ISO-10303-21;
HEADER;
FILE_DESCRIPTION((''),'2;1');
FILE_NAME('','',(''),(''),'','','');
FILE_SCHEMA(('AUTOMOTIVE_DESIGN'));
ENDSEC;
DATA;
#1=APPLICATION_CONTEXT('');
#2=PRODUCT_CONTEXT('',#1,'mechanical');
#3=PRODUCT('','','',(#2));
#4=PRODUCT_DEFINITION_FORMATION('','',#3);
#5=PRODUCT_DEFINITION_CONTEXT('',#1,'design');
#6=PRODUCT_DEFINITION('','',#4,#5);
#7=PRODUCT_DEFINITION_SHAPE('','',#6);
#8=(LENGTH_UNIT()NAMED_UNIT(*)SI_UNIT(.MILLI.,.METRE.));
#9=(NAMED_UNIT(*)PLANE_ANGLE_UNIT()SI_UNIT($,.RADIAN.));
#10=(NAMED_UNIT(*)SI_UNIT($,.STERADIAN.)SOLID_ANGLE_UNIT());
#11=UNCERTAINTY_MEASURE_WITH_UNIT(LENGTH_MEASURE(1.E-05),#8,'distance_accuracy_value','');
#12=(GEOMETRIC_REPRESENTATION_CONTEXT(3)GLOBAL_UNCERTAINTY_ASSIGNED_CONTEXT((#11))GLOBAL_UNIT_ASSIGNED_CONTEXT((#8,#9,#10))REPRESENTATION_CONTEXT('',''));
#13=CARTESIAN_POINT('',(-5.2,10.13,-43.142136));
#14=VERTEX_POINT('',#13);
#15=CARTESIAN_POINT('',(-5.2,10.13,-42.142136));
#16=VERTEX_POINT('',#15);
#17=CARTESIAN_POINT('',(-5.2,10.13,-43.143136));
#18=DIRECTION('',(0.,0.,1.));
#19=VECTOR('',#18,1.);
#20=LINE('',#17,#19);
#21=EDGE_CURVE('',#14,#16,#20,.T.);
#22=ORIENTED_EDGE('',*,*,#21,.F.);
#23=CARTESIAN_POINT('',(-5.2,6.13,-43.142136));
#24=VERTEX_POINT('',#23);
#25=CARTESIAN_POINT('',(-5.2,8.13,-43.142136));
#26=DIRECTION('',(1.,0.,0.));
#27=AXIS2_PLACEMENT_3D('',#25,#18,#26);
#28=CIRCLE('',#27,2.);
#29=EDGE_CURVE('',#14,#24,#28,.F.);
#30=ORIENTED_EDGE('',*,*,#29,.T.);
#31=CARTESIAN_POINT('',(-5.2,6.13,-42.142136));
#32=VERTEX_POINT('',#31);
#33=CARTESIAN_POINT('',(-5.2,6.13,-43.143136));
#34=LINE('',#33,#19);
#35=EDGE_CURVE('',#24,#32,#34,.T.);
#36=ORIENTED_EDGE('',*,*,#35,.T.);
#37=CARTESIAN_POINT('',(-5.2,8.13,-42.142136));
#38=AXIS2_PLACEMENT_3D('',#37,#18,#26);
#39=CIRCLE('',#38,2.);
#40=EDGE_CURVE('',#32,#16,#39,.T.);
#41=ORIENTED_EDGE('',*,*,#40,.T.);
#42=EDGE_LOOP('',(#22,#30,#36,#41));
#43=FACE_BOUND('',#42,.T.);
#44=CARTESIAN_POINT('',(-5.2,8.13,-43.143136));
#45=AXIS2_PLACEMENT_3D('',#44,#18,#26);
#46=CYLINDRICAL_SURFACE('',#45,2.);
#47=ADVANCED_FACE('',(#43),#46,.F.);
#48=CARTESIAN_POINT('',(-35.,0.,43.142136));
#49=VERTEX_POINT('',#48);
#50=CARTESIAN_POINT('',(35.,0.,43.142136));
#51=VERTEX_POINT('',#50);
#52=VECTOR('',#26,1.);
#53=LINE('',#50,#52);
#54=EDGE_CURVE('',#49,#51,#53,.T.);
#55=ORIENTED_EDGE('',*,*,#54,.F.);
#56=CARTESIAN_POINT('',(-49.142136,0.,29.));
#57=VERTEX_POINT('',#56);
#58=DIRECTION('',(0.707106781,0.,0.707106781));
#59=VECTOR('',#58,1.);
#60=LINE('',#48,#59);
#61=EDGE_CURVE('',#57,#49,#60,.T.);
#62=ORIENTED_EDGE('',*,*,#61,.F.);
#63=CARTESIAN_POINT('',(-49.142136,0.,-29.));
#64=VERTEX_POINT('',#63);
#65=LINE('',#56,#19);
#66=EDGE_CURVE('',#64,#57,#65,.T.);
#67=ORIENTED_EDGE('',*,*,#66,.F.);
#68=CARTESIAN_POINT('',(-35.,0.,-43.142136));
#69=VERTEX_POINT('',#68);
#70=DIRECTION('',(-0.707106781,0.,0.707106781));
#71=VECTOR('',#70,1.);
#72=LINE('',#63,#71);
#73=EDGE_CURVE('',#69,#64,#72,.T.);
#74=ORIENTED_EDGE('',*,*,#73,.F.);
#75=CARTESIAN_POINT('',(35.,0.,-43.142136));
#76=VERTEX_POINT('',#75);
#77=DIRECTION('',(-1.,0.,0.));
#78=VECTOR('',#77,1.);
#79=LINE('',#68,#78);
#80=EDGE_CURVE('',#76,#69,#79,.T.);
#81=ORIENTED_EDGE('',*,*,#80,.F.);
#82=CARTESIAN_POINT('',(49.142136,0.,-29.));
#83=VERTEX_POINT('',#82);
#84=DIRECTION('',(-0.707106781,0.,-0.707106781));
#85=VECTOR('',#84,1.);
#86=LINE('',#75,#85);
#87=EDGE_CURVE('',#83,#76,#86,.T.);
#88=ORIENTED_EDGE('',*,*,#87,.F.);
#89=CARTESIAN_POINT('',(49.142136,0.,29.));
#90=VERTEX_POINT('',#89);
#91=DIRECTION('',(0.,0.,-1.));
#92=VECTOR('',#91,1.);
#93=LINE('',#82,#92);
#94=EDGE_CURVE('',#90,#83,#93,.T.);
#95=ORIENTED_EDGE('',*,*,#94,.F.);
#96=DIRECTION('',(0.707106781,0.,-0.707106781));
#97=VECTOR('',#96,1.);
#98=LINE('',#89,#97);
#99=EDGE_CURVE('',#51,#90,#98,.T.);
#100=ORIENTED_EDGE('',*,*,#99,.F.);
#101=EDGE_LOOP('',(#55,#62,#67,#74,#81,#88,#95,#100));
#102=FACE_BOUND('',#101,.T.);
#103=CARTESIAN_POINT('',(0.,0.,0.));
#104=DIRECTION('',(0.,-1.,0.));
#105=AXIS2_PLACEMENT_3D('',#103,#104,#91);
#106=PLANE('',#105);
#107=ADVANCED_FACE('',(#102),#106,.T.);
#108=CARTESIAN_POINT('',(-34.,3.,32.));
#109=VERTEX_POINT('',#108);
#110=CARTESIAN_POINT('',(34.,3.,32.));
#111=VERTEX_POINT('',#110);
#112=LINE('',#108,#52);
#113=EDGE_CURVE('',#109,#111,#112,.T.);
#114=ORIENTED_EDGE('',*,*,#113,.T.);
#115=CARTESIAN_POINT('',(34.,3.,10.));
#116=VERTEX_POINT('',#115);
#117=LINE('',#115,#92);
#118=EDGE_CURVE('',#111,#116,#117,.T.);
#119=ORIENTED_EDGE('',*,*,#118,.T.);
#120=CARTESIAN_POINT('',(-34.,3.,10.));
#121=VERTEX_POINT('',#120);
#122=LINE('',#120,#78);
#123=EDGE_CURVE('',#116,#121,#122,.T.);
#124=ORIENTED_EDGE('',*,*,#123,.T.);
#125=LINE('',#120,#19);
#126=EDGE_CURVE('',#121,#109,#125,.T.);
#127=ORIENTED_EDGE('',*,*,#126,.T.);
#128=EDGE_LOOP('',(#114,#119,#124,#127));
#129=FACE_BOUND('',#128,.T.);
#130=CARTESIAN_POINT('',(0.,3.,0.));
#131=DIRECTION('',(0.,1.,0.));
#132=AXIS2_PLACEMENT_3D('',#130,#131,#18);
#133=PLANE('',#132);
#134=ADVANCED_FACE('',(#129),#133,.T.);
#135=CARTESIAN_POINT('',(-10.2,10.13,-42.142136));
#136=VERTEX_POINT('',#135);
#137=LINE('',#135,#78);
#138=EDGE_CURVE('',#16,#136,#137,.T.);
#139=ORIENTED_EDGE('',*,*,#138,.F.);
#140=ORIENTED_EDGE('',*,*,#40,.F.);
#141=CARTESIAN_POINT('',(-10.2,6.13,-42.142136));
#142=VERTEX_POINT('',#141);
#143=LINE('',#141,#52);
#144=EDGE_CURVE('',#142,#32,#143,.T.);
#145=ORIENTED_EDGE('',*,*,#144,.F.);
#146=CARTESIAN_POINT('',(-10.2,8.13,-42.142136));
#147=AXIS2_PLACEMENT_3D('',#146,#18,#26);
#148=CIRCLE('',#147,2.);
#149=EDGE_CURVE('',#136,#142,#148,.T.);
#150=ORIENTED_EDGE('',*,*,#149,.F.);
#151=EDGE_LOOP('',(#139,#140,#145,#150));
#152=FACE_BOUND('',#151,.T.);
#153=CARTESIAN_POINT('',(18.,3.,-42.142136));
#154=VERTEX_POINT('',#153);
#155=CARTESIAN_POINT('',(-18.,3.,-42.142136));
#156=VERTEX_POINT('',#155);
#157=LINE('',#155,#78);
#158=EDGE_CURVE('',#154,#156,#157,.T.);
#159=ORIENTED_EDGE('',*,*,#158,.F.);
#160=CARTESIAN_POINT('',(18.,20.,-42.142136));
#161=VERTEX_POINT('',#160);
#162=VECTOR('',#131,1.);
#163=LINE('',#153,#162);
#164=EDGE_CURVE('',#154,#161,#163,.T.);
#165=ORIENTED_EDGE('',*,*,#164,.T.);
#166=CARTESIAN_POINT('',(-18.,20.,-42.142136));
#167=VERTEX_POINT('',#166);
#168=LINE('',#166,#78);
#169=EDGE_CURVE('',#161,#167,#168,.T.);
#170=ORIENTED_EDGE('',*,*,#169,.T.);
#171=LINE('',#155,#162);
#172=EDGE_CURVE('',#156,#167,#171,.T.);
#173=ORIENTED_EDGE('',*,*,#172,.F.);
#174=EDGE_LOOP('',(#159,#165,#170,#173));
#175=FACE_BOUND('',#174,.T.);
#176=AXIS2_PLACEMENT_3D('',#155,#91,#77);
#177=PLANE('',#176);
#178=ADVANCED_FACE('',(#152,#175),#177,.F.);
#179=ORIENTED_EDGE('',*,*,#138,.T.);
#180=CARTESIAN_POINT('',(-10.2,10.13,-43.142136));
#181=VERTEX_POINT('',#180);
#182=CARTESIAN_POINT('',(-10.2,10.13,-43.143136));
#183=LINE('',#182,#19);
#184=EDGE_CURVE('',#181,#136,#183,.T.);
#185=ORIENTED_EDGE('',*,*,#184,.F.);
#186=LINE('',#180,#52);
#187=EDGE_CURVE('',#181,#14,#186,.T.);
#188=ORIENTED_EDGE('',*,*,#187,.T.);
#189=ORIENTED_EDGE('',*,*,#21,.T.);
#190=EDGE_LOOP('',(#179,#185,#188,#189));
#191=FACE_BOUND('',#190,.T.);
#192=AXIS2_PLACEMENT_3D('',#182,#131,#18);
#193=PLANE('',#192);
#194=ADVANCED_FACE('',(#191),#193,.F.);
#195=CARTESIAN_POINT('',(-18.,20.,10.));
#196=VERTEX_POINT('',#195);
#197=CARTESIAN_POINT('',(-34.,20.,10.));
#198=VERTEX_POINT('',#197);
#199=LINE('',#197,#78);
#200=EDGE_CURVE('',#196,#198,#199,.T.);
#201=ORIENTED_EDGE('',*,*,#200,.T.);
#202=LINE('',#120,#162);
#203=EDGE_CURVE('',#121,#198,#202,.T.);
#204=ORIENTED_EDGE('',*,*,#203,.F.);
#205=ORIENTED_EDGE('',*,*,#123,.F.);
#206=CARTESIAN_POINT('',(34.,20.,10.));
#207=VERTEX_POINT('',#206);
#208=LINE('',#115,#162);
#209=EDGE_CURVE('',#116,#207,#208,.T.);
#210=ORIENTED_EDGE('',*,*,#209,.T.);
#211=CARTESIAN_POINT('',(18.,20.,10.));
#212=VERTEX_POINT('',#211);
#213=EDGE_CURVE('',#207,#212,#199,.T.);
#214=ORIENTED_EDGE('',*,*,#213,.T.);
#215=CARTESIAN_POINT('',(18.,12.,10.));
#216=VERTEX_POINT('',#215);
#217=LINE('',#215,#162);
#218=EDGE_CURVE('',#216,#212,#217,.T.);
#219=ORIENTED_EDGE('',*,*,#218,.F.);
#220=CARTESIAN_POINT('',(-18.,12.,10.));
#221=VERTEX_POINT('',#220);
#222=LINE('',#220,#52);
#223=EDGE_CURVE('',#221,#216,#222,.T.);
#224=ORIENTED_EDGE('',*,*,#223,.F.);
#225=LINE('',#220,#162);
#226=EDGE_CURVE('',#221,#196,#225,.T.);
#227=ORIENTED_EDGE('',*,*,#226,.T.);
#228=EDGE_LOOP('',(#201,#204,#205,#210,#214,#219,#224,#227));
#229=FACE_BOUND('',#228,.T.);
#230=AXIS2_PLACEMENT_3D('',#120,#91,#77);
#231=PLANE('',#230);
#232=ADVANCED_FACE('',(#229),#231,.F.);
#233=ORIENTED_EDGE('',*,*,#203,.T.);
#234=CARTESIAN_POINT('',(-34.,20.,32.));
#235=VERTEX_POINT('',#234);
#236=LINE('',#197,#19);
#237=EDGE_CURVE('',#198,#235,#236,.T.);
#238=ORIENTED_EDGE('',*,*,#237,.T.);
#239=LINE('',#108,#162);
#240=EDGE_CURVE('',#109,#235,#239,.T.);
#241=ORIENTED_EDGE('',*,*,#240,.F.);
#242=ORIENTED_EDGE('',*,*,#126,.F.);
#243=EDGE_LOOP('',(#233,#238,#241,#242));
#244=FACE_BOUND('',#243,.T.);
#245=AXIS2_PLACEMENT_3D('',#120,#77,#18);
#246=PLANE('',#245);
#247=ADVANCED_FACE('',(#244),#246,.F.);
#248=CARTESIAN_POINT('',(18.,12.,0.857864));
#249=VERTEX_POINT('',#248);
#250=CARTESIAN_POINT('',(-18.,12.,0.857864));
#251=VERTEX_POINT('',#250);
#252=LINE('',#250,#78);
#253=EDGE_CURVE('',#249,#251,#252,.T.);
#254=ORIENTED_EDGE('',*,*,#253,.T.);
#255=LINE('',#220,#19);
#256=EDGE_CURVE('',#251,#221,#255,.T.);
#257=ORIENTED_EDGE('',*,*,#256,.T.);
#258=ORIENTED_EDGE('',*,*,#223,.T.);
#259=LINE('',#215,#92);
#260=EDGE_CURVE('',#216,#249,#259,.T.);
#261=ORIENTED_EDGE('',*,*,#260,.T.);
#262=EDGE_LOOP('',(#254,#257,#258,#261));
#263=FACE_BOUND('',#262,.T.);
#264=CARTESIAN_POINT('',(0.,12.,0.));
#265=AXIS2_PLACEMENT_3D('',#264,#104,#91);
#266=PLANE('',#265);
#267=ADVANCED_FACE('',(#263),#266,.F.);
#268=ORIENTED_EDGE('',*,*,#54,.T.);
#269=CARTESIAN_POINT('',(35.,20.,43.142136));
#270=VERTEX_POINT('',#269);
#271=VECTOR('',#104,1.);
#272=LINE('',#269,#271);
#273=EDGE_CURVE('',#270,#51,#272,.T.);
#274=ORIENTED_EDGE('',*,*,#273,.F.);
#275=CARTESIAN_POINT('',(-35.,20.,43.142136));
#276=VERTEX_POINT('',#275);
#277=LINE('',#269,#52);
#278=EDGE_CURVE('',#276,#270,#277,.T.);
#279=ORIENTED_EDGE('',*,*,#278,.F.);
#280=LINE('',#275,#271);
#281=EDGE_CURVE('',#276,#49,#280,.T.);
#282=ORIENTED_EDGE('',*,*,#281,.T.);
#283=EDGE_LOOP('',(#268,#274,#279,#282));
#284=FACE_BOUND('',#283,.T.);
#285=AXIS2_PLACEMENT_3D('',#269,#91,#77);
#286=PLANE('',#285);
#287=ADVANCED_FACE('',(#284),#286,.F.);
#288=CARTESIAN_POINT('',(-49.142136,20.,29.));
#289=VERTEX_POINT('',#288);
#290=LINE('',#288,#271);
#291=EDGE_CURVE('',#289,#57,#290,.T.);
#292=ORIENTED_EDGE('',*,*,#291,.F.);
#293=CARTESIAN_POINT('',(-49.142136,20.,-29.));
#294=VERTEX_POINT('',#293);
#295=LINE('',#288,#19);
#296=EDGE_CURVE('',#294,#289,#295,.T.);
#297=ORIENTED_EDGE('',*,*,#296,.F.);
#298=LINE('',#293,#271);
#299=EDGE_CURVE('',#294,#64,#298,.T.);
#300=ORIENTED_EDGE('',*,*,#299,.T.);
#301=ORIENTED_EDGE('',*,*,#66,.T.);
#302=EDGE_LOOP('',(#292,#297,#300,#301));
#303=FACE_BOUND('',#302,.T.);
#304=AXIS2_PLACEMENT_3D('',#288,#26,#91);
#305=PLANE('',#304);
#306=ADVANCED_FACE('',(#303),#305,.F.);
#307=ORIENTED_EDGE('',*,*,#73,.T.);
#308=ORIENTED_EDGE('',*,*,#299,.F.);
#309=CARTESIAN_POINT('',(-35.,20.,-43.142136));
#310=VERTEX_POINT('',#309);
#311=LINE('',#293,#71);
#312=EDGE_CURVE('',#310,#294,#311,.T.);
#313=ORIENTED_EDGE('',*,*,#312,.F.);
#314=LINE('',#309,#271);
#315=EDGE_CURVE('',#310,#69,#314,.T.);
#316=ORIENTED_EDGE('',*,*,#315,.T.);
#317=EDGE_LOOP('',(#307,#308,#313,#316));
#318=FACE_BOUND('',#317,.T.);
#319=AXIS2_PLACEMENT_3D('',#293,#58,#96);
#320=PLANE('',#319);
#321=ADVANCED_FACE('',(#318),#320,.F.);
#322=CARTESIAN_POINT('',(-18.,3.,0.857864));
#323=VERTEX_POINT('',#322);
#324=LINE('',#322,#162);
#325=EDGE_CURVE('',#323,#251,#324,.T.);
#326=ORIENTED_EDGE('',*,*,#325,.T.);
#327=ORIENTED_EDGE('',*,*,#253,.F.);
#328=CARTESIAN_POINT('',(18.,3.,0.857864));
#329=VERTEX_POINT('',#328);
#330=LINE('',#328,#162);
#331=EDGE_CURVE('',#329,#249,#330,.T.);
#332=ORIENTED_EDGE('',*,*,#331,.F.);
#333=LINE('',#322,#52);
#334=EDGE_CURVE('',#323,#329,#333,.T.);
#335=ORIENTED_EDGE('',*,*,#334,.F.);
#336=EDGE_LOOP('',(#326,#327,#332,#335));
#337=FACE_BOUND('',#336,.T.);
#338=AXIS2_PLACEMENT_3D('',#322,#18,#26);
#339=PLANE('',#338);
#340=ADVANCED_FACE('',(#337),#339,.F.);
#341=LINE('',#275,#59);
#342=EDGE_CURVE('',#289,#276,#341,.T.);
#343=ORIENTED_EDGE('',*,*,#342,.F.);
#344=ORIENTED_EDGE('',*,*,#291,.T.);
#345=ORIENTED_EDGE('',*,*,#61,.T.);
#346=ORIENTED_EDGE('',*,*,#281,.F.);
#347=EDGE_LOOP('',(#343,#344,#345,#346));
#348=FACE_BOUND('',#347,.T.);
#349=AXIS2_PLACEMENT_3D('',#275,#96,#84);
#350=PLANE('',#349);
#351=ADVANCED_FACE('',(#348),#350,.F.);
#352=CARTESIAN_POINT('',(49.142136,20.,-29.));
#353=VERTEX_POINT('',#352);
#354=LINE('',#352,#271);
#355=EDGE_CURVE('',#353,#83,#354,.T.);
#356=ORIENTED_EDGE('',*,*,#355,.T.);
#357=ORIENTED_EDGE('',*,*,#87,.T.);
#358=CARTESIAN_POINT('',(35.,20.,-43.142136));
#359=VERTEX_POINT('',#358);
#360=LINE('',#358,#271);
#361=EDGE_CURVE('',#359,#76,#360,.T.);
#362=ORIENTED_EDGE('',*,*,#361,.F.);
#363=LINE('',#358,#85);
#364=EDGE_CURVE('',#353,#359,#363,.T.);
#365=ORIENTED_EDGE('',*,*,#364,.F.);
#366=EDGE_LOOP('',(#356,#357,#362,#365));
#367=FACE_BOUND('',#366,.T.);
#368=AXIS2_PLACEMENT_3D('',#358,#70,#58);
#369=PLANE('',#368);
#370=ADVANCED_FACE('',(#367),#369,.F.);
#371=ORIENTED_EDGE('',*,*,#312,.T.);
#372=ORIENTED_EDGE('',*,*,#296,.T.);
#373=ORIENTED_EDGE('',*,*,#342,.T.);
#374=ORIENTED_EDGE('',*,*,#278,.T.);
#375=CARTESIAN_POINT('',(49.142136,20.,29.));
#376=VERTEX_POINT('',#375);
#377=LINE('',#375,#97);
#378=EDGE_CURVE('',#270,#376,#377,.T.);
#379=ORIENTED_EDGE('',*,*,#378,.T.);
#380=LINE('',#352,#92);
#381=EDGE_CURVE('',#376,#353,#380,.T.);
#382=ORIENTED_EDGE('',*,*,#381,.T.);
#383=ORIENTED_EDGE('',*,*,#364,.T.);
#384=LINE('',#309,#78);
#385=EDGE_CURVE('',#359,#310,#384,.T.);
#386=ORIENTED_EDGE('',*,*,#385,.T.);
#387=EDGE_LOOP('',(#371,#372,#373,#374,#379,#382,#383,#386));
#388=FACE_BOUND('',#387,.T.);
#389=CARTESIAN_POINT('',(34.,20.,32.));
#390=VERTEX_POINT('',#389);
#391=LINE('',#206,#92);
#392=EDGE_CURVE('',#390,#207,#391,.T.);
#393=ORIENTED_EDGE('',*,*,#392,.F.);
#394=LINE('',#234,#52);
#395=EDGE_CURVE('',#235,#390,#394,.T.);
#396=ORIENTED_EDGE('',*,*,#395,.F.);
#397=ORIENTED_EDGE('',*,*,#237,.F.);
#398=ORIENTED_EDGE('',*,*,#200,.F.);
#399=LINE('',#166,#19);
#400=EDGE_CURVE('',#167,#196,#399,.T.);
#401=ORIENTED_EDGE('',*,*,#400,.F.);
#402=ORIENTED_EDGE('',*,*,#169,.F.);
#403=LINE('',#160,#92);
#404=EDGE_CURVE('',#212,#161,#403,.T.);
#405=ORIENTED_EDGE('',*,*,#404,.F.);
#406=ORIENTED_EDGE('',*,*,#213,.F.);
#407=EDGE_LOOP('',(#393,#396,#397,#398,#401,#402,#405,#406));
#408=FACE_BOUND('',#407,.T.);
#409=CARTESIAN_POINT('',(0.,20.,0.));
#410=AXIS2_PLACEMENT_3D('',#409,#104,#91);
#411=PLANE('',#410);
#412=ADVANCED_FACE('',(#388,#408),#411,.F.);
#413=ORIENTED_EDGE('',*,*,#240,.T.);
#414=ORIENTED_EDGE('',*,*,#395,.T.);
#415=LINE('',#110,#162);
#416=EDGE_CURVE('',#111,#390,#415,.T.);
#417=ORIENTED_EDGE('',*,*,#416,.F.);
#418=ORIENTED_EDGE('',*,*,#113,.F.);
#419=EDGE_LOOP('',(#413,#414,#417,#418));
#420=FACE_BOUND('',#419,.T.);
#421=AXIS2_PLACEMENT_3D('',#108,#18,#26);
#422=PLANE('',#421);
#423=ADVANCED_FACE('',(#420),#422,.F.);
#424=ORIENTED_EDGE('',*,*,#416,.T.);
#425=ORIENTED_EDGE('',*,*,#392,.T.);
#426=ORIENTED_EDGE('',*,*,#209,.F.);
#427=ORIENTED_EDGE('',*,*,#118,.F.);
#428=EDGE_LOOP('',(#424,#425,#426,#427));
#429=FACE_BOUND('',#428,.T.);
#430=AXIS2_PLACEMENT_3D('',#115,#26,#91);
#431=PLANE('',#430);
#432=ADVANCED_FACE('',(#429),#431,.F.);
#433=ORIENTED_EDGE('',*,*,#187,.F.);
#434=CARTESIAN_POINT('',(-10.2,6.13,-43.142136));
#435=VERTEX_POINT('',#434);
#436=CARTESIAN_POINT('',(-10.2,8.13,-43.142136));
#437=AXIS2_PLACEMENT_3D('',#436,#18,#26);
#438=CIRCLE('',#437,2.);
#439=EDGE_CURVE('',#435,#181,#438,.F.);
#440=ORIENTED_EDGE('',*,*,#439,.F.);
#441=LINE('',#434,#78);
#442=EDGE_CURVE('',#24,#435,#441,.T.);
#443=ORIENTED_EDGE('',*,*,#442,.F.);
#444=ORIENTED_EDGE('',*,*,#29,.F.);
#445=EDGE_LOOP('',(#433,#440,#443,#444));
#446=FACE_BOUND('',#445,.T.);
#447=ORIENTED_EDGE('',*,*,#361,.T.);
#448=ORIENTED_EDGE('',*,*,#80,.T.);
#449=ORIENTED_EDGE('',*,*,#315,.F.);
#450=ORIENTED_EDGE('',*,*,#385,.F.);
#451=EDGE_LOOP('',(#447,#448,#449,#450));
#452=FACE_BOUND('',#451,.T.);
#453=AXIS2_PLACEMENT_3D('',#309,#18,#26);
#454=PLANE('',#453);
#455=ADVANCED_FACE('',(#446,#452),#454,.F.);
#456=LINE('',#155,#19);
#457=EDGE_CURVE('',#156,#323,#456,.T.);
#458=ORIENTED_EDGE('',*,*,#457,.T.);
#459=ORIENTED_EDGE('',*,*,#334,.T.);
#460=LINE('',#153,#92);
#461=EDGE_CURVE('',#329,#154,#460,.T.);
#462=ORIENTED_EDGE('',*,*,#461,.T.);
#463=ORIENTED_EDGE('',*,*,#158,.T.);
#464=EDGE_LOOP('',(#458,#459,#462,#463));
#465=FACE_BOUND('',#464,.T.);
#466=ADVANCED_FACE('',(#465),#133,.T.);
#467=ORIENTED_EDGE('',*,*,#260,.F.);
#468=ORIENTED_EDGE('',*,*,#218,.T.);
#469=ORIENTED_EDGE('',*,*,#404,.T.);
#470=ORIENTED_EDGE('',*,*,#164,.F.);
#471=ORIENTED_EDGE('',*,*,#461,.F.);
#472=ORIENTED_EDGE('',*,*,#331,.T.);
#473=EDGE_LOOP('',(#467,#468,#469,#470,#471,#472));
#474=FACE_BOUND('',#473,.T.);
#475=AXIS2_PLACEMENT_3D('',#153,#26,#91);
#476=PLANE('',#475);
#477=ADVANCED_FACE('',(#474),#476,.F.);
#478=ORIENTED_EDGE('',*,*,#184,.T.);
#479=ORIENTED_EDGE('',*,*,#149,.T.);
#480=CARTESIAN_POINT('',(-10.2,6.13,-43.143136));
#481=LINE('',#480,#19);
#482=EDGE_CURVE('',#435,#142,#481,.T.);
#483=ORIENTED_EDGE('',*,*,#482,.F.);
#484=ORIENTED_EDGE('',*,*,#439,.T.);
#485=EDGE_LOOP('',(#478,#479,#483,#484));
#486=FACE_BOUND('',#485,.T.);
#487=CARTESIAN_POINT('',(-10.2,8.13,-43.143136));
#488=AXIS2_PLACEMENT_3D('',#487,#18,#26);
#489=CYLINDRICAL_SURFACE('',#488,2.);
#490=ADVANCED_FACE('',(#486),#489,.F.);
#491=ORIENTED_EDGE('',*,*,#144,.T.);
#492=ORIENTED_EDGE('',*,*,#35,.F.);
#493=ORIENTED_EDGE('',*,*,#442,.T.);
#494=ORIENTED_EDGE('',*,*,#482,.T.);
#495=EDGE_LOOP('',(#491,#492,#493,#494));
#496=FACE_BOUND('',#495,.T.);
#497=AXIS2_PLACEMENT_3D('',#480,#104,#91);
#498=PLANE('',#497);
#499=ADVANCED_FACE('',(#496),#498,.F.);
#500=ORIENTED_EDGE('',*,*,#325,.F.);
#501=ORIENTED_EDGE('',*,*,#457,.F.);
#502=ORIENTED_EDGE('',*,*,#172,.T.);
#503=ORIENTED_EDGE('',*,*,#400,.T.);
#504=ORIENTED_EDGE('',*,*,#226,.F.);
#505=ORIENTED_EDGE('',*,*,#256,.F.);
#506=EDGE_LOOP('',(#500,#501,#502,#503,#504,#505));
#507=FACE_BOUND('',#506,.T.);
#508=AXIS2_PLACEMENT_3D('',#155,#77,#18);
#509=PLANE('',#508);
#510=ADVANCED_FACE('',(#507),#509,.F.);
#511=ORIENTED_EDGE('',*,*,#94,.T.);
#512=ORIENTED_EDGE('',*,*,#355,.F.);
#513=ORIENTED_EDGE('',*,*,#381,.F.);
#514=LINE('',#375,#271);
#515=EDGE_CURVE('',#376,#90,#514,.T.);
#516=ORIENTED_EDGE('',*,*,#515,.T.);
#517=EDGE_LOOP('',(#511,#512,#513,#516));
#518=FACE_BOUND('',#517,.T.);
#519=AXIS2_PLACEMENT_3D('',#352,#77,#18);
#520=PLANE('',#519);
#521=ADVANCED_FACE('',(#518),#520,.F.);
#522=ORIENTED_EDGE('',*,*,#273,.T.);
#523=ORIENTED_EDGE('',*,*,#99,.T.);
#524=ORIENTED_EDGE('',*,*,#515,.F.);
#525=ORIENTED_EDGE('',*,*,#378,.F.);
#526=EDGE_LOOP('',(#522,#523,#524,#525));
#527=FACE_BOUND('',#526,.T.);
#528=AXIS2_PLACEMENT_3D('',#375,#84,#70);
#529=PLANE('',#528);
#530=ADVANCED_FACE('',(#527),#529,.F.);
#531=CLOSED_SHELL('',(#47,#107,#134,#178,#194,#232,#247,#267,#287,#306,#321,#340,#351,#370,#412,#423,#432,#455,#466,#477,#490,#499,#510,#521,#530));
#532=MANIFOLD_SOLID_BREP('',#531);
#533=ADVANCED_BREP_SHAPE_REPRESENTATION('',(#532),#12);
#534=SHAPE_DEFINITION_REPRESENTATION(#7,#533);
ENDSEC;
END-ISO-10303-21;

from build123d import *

# Parameters (mm, degrees)
BOSS_EXTRUDE1_DEPTH = 20
SKETCH2_W           = 36
SKETCH2_H           = 43
SKETCH2_W_2         = 68
SKETCH2_H_2         = 22
CUT_EXTRUDE1_DEPTH  = 17
SKETCH3_W           = 36
SKETCH3_H           = 9.142135624
CUT_EXTRUDE2_DEPTH  = 8
CUT_EXTRUDE3_REACH  = 102.441


with BuildPart() as part:
    # Sketch1 → Boss-Extrude1 (new body)
    with BuildSketch(Plane(origin=(0, 0, 0), x_dir=(1, 0, 0), z_dir=(0, 1, 0))):
        Polygon((-35, 43.142135624), (35, 43.142135624), (49.142135624, 29), (49.142135624, -29), (35, -43.142135624), (-35, -43.142135624), (-49.142135624, -29), (-49.142135624, 29), align=None)
    extrude(amount=BOSS_EXTRUDE1_DEPTH)

    # Sketch2 → Cut-Extrude1 (cut)
    with BuildSketch(Plane(origin=(0, 20, 0), x_dir=(1, 0, 0), z_dir=(0, 1, 0))):
        with Locations((0, 20.642135624)):
            Rectangle(SKETCH2_W, SKETCH2_H)
        with Locations((0, -21)):
            Rectangle(SKETCH2_W_2, SKETCH2_H_2)
    extrude(amount=-CUT_EXTRUDE1_DEPTH, mode=Mode.SUBTRACT)

    # Sketch3 → Cut-Extrude2 (cut)
    with BuildSketch(Plane(origin=(0, 20, 0), x_dir=(1, 0, 0), z_dir=(0, 1, 0))):
        with Locations((0, -5.428932188)):
            Rectangle(SKETCH3_W, SKETCH3_H)
    extrude(amount=-CUT_EXTRUDE2_DEPTH, mode=Mode.SUBTRACT)

    # Sketch4 → Cut-Extrude3 (cut, up to next)
    with BuildSketch(Plane.XY.offset(-42.142135624), mode=Mode.PRIVATE) as cut_extrude3_sk1:
        with BuildLine():
            Line((-10.2, 10.13), (-5.2, 10.13))
            ThreePointArc((-5.2, 10.13), (-3.2, 8.13), (-5.2, 6.13))
            Line((-5.2, 6.13), (-10.2, 6.13))
            ThreePointArc((-10.2, 6.13), (-12.2, 8.13), (-10.2, 10.13))
        make_face()
    cut_extrude3_tool1 = extrude(cut_extrude3_sk1.sketch, amount=-CUT_EXTRUDE3_REACH, mode=Mode.PRIVATE) & part.part
    add(cut_extrude3_tool1.solids().sort_by_distance((-7.7, 8.13, -42.142136))[0], mode=Mode.SUBTRACT)


solid = part.part
